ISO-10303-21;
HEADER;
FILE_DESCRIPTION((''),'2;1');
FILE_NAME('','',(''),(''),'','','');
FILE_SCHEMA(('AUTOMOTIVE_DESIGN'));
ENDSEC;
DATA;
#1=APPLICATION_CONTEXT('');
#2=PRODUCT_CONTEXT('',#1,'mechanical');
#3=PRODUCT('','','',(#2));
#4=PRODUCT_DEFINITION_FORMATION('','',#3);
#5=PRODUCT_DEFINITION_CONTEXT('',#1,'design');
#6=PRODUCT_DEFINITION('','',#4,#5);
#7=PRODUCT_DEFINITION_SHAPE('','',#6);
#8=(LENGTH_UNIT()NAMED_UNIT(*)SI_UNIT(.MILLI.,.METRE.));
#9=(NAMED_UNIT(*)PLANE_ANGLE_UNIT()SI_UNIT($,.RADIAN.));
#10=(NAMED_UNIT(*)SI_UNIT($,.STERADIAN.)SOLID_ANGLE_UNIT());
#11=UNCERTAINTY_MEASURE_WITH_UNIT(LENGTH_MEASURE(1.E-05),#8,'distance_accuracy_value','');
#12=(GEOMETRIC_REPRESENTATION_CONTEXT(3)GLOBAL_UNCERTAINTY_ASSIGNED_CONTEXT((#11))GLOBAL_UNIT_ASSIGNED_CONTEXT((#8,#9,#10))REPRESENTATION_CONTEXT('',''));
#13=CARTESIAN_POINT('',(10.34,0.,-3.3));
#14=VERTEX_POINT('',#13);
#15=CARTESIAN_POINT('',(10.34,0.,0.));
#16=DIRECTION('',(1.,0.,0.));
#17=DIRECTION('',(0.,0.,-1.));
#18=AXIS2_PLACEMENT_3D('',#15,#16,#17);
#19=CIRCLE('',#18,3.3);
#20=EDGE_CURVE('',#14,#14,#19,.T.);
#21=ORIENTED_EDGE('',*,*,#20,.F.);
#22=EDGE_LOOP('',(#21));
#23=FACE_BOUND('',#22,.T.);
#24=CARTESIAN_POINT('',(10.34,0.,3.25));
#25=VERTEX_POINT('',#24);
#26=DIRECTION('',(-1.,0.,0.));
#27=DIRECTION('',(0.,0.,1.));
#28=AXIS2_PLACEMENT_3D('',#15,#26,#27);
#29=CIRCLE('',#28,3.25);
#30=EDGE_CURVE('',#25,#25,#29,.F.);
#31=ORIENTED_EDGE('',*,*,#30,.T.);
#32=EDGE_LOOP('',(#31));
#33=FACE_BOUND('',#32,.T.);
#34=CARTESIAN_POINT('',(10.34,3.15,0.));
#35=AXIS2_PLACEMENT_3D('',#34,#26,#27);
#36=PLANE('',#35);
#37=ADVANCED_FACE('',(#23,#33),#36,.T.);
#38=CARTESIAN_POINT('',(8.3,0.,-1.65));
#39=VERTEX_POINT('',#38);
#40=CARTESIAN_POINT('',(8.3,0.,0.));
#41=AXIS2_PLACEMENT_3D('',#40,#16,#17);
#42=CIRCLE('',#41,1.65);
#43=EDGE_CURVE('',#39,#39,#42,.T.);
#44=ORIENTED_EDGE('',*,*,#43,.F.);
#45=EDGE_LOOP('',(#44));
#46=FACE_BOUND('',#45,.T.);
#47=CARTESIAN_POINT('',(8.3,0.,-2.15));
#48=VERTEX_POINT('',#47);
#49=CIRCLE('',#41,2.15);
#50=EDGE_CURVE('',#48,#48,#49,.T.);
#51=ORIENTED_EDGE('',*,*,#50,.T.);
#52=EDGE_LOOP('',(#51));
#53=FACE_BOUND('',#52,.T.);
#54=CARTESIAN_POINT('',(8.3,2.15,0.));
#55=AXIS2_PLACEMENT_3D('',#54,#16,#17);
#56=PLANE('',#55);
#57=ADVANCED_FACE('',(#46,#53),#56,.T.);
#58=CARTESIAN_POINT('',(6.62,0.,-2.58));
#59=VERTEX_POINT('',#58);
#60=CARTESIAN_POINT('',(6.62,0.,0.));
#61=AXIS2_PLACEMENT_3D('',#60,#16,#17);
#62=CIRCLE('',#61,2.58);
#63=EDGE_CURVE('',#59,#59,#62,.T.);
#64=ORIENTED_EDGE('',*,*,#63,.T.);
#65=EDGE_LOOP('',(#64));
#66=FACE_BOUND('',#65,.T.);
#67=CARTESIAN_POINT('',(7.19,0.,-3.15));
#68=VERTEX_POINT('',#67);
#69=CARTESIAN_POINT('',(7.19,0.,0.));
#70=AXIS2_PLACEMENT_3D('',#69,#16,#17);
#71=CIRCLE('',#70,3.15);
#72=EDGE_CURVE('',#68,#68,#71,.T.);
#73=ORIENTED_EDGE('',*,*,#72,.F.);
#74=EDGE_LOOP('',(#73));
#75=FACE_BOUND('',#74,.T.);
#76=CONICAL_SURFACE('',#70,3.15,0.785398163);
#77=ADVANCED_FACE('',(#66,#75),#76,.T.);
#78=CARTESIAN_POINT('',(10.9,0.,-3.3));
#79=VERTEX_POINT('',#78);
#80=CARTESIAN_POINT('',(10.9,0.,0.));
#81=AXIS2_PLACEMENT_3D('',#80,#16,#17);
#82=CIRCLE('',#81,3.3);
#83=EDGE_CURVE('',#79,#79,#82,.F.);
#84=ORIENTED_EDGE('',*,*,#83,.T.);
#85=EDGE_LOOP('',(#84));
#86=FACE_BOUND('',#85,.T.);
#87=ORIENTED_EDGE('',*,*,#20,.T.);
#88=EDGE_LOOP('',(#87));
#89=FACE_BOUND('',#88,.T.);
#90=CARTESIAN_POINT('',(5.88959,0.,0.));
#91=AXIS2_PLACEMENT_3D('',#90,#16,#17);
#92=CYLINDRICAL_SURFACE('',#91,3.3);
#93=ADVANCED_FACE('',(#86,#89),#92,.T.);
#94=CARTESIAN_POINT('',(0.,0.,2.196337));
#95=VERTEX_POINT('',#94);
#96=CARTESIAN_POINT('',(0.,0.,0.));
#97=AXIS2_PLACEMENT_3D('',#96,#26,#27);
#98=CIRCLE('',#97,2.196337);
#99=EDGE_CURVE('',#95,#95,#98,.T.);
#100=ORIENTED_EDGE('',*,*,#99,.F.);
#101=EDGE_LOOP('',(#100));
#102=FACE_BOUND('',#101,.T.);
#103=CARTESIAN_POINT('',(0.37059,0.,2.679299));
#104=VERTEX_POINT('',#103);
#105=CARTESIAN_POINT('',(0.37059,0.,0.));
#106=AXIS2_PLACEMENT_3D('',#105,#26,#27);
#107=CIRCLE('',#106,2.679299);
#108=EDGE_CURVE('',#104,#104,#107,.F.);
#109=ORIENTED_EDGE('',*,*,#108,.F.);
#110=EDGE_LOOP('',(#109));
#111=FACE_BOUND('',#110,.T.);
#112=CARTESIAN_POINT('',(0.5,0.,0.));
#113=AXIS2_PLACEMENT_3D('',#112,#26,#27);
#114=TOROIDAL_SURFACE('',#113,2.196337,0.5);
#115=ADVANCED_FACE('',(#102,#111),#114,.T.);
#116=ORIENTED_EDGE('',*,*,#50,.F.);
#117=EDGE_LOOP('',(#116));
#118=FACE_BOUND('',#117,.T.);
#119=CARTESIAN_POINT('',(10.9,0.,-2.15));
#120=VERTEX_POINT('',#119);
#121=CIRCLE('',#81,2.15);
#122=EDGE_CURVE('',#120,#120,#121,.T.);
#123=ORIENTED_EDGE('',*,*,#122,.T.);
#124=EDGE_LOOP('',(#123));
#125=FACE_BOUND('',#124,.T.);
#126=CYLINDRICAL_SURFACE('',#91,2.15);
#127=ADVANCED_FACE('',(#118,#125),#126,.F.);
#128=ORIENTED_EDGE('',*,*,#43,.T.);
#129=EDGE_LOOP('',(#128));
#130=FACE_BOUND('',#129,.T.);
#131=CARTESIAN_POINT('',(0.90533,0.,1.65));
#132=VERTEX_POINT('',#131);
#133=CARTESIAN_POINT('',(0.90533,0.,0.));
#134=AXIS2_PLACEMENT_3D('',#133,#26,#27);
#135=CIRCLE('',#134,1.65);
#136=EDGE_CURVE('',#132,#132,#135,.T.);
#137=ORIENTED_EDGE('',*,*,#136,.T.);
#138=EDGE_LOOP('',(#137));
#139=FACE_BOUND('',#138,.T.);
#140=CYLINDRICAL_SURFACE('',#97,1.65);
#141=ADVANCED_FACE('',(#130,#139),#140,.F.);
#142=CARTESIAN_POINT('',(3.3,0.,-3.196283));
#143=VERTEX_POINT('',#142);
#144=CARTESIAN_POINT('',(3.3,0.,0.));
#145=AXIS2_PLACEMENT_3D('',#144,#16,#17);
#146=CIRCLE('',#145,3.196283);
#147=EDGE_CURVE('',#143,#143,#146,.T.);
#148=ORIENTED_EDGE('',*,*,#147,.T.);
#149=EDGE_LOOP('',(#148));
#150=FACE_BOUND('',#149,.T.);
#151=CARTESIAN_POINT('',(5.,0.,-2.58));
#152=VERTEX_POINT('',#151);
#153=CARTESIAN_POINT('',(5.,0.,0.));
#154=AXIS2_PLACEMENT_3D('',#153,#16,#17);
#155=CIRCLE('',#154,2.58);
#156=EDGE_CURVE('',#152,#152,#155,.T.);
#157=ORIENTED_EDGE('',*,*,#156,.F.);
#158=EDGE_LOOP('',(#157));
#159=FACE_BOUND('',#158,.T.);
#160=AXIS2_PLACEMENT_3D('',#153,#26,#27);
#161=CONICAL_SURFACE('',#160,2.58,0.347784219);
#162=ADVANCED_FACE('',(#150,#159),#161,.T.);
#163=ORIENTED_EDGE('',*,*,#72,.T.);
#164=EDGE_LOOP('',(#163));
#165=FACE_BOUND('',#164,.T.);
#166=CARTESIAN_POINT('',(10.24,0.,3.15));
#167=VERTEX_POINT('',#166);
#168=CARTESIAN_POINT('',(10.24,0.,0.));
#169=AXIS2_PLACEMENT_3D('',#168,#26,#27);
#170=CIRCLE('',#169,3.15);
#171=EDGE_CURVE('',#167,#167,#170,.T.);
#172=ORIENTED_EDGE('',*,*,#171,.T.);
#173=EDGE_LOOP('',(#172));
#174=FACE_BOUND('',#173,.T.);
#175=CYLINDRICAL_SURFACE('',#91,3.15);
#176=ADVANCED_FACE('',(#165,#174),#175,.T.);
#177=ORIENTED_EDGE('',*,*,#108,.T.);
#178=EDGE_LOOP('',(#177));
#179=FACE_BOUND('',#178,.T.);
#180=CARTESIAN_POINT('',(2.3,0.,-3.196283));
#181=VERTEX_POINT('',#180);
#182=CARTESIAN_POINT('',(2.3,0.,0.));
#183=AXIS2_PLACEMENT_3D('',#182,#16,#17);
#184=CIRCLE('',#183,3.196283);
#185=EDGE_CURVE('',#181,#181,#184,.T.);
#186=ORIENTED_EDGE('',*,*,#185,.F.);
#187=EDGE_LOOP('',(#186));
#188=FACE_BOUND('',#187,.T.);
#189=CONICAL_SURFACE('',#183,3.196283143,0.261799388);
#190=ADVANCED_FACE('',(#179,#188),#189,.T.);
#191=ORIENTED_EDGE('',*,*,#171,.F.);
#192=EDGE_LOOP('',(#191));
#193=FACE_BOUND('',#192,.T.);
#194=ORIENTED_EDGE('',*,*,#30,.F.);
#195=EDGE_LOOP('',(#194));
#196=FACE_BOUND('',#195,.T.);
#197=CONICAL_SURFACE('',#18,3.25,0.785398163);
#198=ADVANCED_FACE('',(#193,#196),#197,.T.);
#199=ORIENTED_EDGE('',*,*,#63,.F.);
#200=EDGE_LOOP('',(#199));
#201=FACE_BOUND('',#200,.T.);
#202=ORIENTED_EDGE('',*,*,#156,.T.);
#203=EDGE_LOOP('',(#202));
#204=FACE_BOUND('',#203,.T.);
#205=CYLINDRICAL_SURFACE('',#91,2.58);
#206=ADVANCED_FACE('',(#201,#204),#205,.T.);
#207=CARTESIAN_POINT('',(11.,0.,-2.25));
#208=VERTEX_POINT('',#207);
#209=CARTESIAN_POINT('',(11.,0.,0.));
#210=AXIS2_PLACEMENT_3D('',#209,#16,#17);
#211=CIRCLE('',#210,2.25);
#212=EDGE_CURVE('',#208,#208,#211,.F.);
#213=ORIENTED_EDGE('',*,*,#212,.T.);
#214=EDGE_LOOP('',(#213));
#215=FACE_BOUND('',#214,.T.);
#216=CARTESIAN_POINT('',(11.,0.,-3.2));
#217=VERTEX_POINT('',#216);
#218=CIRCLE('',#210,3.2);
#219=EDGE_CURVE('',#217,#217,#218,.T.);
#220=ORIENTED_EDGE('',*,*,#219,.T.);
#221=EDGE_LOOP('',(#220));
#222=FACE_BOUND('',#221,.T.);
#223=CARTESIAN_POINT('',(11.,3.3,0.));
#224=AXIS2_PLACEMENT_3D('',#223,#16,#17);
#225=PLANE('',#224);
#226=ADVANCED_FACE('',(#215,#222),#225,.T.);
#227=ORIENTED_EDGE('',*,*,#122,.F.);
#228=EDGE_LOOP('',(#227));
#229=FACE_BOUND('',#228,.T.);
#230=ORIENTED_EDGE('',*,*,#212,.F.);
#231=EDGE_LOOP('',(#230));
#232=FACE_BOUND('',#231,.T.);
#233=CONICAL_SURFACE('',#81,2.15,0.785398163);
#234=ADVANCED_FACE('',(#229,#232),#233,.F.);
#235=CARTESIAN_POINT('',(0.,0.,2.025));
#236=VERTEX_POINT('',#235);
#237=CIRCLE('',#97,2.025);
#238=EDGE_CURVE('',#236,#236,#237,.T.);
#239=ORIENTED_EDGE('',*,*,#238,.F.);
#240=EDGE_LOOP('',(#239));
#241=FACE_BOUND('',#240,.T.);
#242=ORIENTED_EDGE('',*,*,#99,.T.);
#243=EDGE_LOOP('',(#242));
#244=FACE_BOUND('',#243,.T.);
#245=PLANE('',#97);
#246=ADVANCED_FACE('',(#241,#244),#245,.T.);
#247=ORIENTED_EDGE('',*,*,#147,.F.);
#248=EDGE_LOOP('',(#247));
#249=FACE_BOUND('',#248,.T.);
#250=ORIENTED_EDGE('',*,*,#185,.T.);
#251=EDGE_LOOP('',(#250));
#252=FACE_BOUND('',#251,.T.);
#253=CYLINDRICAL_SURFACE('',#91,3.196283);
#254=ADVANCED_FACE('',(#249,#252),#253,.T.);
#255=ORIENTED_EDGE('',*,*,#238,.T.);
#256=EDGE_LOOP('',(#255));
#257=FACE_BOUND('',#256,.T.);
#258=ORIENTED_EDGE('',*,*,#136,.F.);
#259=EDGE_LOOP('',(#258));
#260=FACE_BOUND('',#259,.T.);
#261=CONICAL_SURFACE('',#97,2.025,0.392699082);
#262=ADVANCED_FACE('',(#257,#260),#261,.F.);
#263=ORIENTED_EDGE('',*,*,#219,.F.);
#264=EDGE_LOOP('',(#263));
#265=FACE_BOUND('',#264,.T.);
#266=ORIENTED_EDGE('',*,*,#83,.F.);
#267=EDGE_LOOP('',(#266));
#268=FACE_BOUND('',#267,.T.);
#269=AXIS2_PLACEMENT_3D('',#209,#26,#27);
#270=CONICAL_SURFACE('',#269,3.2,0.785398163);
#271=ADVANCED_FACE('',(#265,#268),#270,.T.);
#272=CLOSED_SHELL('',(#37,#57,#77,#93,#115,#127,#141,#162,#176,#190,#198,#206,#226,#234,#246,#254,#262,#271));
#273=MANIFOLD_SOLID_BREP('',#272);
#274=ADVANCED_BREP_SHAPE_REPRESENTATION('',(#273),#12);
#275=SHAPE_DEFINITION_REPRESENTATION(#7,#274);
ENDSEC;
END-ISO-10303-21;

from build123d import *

# Parameters (mm, degrees)
M4_TAPPED_HOLE1_D           = 3.3
M4_TAPPED_HOLE1_CSINK_D     = 4.05
M4_TAPPED_HOLE1_CSINK_ANGLE = 45
FILLET1_R                   = 0.5
CHAMFER1_SIZE               = 0.1


with BuildPart() as part:
    # Sketch1 → Revolve1 (revolve)
    with BuildSketch(Plane.XY, mode=Mode.PRIVATE) as revolve1_sk:
        Polygon((5.889590125, 0), (0, 0), (0, 2.58), (2.3, 3.196283143), (3.3, 3.196283143), (5, 2.58), (6.62, 2.58), (7.19, 3.15), (10.34, 3.15), (10.34, 3.3), (11, 3.3), (11, 2.15), (8.3, 2.15), (8.3, 0), align=None)
    revolve(revolve1_sk.sketch.rotate(Axis((5.889590125, 0, 0), (-1, 0, 0)), 90), axis=Axis((5.889590125, 0, 0), (-1, 0, 0)))

    # M4 Tapped Hole1 (through all)
    with Locations(Plane.ZY):
        with Locations((0, 0)):
            CounterSinkHole(M4_TAPPED_HOLE1_D / 2, M4_TAPPED_HOLE1_CSINK_D / 2, counter_sink_angle=M4_TAPPED_HOLE1_CSINK_ANGLE)

    # Fillet1
    fillet1_edges = [part.edges().sort_by_distance(p)[0] for p in [
        (0, 0, 2.58),
    ]]
    fillet(fillet1_edges, radius=FILLET1_R)

    # Chamfer1
    chamfer1_edges = [part.edges().sort_by_distance(p)[0] for p in [
        (11, 0, 2.15),
        (11, 0, 3.3),
        (10.34, 0, 3.15),
    ]]
    chamfer(chamfer1_edges, length=CHAMFER1_SIZE)


solid = part.part
